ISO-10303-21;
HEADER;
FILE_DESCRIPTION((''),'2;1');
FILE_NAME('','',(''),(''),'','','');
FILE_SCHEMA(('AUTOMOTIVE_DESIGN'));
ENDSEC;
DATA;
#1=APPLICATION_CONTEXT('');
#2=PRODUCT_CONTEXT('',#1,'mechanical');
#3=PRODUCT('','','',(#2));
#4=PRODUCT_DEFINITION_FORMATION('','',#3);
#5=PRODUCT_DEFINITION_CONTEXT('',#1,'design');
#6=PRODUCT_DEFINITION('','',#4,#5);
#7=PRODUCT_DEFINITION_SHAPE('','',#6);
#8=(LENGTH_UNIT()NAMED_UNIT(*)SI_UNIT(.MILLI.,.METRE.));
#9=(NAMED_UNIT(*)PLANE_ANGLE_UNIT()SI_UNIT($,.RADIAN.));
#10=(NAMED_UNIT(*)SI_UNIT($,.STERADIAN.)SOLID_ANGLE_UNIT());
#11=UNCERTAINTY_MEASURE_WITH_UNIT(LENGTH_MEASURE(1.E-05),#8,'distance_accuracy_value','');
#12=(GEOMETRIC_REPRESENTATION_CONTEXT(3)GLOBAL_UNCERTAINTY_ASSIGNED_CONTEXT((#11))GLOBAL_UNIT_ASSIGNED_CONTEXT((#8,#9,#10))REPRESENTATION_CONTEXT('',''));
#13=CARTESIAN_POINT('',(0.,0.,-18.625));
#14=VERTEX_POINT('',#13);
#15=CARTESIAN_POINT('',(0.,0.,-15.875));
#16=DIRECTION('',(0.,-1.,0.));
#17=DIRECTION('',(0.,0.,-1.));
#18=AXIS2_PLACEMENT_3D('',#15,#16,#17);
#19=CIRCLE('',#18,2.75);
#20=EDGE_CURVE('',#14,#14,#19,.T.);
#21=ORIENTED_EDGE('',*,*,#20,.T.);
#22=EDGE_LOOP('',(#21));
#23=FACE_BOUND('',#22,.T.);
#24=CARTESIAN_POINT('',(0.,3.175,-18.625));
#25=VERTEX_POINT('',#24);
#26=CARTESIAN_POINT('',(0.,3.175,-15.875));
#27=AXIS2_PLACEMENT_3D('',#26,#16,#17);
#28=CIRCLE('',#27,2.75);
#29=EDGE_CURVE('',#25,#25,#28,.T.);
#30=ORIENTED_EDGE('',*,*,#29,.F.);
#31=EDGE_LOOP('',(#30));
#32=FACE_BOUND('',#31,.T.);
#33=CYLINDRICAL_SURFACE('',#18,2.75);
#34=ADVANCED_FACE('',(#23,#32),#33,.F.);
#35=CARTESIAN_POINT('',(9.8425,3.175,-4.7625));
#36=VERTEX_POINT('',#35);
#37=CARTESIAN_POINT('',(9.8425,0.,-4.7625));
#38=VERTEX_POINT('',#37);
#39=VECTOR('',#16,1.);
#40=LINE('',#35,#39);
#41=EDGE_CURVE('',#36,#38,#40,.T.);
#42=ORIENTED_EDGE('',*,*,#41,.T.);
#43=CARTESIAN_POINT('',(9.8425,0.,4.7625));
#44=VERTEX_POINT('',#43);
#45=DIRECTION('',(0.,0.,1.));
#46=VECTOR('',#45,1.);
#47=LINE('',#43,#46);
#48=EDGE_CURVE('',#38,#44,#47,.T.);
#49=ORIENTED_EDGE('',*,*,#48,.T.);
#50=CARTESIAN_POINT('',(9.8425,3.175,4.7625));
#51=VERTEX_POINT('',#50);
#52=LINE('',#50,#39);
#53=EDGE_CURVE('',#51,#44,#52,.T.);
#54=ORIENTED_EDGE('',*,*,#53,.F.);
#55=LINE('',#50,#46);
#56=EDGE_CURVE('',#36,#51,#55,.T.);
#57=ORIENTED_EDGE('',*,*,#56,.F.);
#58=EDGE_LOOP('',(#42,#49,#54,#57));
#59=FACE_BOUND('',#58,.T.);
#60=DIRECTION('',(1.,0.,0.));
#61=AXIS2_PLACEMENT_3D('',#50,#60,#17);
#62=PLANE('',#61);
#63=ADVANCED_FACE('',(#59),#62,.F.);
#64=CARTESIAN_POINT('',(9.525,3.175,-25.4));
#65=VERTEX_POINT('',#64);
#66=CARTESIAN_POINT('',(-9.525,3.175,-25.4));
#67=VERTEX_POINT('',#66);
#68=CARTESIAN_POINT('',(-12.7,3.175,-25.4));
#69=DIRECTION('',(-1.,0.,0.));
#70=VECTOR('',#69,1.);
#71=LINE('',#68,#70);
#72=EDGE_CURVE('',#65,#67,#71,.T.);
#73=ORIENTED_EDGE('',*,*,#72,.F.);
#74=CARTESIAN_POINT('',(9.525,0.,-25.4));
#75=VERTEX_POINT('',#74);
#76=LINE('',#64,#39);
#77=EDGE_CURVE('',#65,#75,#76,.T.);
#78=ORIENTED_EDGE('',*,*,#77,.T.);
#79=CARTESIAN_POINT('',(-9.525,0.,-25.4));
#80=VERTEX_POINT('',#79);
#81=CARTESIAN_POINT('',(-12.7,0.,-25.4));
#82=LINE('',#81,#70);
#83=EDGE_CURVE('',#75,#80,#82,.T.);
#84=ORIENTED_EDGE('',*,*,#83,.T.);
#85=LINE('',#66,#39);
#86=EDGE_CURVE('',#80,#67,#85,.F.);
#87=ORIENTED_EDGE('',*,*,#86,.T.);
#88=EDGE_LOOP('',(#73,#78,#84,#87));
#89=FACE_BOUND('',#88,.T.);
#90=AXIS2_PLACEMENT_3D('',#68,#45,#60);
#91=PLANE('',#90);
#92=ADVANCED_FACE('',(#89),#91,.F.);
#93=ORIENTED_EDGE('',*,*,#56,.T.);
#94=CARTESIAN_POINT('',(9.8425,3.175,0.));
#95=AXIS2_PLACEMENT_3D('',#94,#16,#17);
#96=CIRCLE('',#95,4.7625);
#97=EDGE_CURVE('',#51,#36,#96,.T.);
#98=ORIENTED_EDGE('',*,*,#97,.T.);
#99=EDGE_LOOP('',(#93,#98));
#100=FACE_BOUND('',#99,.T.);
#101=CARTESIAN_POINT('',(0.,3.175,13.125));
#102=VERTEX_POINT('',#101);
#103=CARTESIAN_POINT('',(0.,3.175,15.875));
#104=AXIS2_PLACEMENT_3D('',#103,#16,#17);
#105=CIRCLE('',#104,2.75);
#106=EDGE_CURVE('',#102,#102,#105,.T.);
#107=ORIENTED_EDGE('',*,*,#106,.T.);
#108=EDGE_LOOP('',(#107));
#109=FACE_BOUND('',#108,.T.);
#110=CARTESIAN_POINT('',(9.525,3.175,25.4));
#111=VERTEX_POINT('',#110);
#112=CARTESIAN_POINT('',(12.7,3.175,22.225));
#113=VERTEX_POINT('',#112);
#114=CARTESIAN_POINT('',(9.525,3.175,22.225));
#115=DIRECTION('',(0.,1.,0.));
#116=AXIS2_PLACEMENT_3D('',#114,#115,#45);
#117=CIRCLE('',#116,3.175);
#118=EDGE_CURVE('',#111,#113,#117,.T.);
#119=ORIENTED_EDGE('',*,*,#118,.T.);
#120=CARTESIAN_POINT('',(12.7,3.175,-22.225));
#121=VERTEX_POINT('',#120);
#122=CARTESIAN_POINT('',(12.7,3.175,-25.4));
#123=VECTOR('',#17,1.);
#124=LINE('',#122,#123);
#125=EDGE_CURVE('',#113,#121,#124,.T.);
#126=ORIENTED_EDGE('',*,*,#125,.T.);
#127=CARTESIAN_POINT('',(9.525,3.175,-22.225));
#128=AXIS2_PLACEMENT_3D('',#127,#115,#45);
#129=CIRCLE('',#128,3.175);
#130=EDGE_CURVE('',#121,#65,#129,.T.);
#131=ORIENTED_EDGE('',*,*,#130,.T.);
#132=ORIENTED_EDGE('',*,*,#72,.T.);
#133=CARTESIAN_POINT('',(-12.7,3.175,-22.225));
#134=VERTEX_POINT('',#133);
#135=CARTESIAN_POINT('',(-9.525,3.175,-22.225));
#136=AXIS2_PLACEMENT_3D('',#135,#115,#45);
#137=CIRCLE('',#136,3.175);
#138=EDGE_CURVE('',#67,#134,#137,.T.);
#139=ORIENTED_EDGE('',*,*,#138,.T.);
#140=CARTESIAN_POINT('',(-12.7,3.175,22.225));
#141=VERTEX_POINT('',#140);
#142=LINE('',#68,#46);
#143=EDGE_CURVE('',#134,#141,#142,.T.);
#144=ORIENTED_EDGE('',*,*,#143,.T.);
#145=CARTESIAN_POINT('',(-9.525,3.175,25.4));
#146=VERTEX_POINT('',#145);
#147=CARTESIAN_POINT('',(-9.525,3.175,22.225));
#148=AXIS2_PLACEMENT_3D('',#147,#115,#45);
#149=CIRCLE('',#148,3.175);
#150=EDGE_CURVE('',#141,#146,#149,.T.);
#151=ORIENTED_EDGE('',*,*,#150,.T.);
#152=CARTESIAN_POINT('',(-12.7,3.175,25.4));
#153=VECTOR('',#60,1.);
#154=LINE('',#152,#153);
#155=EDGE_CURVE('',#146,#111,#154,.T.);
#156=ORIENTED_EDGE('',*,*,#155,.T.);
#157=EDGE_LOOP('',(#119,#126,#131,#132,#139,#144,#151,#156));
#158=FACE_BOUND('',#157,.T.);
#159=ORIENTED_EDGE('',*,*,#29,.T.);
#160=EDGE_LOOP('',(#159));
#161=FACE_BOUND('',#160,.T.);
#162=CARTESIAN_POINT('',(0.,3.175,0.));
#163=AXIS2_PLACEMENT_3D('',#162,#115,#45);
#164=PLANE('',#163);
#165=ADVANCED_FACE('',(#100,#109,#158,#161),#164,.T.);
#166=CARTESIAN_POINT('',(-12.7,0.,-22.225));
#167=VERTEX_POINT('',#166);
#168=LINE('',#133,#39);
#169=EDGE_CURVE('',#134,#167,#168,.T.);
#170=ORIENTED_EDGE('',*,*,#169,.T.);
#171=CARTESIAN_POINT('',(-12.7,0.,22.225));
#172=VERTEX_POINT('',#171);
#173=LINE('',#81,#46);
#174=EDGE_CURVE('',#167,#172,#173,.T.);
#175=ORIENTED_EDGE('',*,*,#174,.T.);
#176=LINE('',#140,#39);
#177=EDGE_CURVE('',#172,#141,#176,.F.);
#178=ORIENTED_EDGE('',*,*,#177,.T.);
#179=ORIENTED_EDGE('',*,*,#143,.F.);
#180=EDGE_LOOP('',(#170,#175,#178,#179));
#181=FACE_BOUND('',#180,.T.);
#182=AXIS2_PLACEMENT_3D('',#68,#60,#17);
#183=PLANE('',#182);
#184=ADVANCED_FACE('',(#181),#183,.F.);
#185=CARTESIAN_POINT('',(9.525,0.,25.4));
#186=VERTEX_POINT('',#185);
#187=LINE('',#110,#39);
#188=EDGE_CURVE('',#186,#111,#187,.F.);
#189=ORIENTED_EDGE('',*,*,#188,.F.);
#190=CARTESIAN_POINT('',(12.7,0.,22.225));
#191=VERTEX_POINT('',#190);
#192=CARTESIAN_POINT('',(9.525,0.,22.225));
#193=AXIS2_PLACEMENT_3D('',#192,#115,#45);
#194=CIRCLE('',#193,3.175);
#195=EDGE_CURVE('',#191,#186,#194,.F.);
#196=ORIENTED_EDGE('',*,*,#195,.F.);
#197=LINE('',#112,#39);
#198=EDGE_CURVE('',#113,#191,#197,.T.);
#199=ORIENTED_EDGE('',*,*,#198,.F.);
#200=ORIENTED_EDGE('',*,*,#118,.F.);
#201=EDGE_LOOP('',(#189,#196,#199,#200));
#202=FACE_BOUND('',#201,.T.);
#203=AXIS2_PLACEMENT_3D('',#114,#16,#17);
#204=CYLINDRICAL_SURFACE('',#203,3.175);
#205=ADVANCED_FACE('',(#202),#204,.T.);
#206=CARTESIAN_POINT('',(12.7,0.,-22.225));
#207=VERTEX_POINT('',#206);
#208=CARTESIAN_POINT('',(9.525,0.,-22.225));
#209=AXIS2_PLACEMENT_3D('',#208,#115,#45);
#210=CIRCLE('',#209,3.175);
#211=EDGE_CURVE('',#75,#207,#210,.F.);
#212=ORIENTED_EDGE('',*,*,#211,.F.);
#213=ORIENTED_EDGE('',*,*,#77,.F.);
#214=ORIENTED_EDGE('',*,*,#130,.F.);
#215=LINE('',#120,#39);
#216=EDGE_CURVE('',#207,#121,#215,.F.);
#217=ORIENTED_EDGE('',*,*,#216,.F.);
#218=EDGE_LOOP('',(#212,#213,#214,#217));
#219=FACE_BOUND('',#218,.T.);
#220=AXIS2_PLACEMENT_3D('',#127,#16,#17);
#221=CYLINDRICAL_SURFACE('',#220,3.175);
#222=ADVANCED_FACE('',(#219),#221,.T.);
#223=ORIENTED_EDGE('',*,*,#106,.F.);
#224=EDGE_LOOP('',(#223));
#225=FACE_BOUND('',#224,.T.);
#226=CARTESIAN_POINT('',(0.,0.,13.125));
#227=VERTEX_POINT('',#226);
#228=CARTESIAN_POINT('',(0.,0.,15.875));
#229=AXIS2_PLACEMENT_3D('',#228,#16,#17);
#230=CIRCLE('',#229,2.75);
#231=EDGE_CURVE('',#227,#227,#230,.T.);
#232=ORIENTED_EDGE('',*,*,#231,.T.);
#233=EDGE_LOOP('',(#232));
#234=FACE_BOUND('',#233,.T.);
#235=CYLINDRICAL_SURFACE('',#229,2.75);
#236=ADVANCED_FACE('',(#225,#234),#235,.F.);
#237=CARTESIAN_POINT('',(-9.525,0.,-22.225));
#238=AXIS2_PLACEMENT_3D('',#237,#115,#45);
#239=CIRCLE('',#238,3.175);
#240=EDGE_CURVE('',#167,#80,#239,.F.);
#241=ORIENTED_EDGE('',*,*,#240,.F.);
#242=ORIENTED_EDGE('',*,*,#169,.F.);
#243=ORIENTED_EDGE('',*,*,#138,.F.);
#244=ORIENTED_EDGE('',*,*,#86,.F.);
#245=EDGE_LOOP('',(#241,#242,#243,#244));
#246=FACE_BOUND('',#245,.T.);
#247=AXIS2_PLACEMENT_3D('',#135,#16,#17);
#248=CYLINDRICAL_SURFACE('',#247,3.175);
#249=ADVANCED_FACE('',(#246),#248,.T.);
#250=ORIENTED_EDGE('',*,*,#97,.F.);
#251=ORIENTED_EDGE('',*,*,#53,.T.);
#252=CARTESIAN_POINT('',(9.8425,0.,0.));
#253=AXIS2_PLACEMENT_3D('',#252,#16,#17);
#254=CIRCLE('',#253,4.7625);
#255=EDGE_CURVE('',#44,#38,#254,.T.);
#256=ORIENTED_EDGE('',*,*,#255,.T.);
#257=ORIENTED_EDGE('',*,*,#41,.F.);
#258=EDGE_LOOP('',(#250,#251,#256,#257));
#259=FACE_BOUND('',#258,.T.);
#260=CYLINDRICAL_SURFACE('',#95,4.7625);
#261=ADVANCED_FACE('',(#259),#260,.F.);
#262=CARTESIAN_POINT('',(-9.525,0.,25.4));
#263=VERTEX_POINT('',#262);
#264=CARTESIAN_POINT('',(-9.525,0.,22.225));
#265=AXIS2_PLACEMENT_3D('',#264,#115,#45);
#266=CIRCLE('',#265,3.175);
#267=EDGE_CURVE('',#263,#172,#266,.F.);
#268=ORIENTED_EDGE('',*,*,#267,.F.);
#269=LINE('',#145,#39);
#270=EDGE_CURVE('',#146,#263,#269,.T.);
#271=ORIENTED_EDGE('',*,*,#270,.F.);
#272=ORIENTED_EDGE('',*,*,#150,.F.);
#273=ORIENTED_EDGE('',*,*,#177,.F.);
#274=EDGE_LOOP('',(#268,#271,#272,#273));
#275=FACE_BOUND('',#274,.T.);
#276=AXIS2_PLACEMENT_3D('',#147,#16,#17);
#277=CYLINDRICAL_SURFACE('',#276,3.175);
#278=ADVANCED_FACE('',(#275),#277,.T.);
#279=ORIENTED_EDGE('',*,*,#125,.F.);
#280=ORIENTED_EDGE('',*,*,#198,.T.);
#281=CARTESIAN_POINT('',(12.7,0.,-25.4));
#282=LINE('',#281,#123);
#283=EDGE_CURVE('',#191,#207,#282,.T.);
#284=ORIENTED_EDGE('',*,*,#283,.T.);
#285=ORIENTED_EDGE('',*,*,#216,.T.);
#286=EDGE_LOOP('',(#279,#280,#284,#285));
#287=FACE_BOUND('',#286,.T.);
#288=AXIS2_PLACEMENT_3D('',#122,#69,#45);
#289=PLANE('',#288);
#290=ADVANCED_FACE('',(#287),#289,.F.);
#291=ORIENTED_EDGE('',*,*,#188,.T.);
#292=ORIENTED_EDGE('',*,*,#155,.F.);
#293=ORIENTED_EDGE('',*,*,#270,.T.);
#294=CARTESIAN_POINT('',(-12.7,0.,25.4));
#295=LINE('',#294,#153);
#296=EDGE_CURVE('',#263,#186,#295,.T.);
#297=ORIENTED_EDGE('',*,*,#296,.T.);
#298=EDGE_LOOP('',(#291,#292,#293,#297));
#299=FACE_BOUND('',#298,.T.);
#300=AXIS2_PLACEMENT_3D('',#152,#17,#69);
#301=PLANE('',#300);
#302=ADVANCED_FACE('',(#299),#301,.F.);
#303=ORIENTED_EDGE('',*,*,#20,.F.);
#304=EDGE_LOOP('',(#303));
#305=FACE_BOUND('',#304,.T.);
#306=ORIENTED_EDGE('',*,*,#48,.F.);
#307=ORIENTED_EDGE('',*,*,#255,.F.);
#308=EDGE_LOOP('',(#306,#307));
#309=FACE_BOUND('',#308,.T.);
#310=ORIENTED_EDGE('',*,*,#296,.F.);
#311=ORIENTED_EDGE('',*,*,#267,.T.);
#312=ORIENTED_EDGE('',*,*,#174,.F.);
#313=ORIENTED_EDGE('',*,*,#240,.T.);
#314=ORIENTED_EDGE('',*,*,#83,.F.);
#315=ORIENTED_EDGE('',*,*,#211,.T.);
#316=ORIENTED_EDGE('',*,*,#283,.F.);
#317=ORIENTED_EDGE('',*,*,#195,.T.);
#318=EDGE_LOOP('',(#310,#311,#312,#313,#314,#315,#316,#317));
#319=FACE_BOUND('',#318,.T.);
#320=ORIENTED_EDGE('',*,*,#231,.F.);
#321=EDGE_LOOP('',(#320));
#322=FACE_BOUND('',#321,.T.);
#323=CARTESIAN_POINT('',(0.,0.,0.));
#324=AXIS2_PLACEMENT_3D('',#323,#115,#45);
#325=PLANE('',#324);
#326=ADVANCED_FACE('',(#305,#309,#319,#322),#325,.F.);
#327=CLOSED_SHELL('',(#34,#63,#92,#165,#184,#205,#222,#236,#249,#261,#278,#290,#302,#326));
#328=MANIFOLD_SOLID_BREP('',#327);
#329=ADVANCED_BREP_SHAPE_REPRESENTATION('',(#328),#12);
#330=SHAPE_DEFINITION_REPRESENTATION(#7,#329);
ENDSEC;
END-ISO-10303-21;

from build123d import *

# Parameters (mm, degrees)
SKETCH1_W            = 25.4
SKETCH1_H            = 50.8
BOSS_EXTRUDE1_DEPTH  = 3.175
CUT_EXTRUDE2_DEPTH   = 29.575
M5_CLEARANCE_HOLE1_D = 5.5
FILLET1_R            = 3.175


with BuildPart() as part:
    # Sketch1 → Boss-Extrude1 (new body)
    with BuildSketch(Plane(origin=(0, 0, 0), x_dir=(1, 0, 0), z_dir=(0, 1, 0))):
        Rectangle(SKETCH1_W, SKETCH1_H)
    extrude(amount=BOSS_EXTRUDE1_DEPTH)

    # Sketch8 → Cut-Extrude2 (cut, through all)
    with BuildSketch(Plane.XZ):
        with BuildLine():
            Line((9.8425, 4.7625), (9.8425, -4.7625))
            ThreePointArc((9.8425, -4.7625), (5.08, 0), (9.8425, 4.7625))
        make_face()
    extrude(amount=-CUT_EXTRUDE2_DEPTH, mode=Mode.SUBTRACT)

    # M5 Clearance Hole1 (through all)
    with Locations(Plane(origin=(0, 0, 0), x_dir=(-1, 0, 0), z_dir=(0, -1, 0))):
        with Locations((0, 15.875), (0, -15.875)):
            Hole(M5_CLEARANCE_HOLE1_D / 2)

    # Fillet1
    fillet1_edges = [part.edges().sort_by_distance(p)[0] for p in [
        (12.7, 1.5875, 25.4),
        (-12.7, 1.5875, 25.4),
        (-12.7, 1.5875, -25.4),
        (12.7, 1.5875, -25.4),
    ]]
    fillet(fillet1_edges, radius=FILLET1_R)


solid = part.part
